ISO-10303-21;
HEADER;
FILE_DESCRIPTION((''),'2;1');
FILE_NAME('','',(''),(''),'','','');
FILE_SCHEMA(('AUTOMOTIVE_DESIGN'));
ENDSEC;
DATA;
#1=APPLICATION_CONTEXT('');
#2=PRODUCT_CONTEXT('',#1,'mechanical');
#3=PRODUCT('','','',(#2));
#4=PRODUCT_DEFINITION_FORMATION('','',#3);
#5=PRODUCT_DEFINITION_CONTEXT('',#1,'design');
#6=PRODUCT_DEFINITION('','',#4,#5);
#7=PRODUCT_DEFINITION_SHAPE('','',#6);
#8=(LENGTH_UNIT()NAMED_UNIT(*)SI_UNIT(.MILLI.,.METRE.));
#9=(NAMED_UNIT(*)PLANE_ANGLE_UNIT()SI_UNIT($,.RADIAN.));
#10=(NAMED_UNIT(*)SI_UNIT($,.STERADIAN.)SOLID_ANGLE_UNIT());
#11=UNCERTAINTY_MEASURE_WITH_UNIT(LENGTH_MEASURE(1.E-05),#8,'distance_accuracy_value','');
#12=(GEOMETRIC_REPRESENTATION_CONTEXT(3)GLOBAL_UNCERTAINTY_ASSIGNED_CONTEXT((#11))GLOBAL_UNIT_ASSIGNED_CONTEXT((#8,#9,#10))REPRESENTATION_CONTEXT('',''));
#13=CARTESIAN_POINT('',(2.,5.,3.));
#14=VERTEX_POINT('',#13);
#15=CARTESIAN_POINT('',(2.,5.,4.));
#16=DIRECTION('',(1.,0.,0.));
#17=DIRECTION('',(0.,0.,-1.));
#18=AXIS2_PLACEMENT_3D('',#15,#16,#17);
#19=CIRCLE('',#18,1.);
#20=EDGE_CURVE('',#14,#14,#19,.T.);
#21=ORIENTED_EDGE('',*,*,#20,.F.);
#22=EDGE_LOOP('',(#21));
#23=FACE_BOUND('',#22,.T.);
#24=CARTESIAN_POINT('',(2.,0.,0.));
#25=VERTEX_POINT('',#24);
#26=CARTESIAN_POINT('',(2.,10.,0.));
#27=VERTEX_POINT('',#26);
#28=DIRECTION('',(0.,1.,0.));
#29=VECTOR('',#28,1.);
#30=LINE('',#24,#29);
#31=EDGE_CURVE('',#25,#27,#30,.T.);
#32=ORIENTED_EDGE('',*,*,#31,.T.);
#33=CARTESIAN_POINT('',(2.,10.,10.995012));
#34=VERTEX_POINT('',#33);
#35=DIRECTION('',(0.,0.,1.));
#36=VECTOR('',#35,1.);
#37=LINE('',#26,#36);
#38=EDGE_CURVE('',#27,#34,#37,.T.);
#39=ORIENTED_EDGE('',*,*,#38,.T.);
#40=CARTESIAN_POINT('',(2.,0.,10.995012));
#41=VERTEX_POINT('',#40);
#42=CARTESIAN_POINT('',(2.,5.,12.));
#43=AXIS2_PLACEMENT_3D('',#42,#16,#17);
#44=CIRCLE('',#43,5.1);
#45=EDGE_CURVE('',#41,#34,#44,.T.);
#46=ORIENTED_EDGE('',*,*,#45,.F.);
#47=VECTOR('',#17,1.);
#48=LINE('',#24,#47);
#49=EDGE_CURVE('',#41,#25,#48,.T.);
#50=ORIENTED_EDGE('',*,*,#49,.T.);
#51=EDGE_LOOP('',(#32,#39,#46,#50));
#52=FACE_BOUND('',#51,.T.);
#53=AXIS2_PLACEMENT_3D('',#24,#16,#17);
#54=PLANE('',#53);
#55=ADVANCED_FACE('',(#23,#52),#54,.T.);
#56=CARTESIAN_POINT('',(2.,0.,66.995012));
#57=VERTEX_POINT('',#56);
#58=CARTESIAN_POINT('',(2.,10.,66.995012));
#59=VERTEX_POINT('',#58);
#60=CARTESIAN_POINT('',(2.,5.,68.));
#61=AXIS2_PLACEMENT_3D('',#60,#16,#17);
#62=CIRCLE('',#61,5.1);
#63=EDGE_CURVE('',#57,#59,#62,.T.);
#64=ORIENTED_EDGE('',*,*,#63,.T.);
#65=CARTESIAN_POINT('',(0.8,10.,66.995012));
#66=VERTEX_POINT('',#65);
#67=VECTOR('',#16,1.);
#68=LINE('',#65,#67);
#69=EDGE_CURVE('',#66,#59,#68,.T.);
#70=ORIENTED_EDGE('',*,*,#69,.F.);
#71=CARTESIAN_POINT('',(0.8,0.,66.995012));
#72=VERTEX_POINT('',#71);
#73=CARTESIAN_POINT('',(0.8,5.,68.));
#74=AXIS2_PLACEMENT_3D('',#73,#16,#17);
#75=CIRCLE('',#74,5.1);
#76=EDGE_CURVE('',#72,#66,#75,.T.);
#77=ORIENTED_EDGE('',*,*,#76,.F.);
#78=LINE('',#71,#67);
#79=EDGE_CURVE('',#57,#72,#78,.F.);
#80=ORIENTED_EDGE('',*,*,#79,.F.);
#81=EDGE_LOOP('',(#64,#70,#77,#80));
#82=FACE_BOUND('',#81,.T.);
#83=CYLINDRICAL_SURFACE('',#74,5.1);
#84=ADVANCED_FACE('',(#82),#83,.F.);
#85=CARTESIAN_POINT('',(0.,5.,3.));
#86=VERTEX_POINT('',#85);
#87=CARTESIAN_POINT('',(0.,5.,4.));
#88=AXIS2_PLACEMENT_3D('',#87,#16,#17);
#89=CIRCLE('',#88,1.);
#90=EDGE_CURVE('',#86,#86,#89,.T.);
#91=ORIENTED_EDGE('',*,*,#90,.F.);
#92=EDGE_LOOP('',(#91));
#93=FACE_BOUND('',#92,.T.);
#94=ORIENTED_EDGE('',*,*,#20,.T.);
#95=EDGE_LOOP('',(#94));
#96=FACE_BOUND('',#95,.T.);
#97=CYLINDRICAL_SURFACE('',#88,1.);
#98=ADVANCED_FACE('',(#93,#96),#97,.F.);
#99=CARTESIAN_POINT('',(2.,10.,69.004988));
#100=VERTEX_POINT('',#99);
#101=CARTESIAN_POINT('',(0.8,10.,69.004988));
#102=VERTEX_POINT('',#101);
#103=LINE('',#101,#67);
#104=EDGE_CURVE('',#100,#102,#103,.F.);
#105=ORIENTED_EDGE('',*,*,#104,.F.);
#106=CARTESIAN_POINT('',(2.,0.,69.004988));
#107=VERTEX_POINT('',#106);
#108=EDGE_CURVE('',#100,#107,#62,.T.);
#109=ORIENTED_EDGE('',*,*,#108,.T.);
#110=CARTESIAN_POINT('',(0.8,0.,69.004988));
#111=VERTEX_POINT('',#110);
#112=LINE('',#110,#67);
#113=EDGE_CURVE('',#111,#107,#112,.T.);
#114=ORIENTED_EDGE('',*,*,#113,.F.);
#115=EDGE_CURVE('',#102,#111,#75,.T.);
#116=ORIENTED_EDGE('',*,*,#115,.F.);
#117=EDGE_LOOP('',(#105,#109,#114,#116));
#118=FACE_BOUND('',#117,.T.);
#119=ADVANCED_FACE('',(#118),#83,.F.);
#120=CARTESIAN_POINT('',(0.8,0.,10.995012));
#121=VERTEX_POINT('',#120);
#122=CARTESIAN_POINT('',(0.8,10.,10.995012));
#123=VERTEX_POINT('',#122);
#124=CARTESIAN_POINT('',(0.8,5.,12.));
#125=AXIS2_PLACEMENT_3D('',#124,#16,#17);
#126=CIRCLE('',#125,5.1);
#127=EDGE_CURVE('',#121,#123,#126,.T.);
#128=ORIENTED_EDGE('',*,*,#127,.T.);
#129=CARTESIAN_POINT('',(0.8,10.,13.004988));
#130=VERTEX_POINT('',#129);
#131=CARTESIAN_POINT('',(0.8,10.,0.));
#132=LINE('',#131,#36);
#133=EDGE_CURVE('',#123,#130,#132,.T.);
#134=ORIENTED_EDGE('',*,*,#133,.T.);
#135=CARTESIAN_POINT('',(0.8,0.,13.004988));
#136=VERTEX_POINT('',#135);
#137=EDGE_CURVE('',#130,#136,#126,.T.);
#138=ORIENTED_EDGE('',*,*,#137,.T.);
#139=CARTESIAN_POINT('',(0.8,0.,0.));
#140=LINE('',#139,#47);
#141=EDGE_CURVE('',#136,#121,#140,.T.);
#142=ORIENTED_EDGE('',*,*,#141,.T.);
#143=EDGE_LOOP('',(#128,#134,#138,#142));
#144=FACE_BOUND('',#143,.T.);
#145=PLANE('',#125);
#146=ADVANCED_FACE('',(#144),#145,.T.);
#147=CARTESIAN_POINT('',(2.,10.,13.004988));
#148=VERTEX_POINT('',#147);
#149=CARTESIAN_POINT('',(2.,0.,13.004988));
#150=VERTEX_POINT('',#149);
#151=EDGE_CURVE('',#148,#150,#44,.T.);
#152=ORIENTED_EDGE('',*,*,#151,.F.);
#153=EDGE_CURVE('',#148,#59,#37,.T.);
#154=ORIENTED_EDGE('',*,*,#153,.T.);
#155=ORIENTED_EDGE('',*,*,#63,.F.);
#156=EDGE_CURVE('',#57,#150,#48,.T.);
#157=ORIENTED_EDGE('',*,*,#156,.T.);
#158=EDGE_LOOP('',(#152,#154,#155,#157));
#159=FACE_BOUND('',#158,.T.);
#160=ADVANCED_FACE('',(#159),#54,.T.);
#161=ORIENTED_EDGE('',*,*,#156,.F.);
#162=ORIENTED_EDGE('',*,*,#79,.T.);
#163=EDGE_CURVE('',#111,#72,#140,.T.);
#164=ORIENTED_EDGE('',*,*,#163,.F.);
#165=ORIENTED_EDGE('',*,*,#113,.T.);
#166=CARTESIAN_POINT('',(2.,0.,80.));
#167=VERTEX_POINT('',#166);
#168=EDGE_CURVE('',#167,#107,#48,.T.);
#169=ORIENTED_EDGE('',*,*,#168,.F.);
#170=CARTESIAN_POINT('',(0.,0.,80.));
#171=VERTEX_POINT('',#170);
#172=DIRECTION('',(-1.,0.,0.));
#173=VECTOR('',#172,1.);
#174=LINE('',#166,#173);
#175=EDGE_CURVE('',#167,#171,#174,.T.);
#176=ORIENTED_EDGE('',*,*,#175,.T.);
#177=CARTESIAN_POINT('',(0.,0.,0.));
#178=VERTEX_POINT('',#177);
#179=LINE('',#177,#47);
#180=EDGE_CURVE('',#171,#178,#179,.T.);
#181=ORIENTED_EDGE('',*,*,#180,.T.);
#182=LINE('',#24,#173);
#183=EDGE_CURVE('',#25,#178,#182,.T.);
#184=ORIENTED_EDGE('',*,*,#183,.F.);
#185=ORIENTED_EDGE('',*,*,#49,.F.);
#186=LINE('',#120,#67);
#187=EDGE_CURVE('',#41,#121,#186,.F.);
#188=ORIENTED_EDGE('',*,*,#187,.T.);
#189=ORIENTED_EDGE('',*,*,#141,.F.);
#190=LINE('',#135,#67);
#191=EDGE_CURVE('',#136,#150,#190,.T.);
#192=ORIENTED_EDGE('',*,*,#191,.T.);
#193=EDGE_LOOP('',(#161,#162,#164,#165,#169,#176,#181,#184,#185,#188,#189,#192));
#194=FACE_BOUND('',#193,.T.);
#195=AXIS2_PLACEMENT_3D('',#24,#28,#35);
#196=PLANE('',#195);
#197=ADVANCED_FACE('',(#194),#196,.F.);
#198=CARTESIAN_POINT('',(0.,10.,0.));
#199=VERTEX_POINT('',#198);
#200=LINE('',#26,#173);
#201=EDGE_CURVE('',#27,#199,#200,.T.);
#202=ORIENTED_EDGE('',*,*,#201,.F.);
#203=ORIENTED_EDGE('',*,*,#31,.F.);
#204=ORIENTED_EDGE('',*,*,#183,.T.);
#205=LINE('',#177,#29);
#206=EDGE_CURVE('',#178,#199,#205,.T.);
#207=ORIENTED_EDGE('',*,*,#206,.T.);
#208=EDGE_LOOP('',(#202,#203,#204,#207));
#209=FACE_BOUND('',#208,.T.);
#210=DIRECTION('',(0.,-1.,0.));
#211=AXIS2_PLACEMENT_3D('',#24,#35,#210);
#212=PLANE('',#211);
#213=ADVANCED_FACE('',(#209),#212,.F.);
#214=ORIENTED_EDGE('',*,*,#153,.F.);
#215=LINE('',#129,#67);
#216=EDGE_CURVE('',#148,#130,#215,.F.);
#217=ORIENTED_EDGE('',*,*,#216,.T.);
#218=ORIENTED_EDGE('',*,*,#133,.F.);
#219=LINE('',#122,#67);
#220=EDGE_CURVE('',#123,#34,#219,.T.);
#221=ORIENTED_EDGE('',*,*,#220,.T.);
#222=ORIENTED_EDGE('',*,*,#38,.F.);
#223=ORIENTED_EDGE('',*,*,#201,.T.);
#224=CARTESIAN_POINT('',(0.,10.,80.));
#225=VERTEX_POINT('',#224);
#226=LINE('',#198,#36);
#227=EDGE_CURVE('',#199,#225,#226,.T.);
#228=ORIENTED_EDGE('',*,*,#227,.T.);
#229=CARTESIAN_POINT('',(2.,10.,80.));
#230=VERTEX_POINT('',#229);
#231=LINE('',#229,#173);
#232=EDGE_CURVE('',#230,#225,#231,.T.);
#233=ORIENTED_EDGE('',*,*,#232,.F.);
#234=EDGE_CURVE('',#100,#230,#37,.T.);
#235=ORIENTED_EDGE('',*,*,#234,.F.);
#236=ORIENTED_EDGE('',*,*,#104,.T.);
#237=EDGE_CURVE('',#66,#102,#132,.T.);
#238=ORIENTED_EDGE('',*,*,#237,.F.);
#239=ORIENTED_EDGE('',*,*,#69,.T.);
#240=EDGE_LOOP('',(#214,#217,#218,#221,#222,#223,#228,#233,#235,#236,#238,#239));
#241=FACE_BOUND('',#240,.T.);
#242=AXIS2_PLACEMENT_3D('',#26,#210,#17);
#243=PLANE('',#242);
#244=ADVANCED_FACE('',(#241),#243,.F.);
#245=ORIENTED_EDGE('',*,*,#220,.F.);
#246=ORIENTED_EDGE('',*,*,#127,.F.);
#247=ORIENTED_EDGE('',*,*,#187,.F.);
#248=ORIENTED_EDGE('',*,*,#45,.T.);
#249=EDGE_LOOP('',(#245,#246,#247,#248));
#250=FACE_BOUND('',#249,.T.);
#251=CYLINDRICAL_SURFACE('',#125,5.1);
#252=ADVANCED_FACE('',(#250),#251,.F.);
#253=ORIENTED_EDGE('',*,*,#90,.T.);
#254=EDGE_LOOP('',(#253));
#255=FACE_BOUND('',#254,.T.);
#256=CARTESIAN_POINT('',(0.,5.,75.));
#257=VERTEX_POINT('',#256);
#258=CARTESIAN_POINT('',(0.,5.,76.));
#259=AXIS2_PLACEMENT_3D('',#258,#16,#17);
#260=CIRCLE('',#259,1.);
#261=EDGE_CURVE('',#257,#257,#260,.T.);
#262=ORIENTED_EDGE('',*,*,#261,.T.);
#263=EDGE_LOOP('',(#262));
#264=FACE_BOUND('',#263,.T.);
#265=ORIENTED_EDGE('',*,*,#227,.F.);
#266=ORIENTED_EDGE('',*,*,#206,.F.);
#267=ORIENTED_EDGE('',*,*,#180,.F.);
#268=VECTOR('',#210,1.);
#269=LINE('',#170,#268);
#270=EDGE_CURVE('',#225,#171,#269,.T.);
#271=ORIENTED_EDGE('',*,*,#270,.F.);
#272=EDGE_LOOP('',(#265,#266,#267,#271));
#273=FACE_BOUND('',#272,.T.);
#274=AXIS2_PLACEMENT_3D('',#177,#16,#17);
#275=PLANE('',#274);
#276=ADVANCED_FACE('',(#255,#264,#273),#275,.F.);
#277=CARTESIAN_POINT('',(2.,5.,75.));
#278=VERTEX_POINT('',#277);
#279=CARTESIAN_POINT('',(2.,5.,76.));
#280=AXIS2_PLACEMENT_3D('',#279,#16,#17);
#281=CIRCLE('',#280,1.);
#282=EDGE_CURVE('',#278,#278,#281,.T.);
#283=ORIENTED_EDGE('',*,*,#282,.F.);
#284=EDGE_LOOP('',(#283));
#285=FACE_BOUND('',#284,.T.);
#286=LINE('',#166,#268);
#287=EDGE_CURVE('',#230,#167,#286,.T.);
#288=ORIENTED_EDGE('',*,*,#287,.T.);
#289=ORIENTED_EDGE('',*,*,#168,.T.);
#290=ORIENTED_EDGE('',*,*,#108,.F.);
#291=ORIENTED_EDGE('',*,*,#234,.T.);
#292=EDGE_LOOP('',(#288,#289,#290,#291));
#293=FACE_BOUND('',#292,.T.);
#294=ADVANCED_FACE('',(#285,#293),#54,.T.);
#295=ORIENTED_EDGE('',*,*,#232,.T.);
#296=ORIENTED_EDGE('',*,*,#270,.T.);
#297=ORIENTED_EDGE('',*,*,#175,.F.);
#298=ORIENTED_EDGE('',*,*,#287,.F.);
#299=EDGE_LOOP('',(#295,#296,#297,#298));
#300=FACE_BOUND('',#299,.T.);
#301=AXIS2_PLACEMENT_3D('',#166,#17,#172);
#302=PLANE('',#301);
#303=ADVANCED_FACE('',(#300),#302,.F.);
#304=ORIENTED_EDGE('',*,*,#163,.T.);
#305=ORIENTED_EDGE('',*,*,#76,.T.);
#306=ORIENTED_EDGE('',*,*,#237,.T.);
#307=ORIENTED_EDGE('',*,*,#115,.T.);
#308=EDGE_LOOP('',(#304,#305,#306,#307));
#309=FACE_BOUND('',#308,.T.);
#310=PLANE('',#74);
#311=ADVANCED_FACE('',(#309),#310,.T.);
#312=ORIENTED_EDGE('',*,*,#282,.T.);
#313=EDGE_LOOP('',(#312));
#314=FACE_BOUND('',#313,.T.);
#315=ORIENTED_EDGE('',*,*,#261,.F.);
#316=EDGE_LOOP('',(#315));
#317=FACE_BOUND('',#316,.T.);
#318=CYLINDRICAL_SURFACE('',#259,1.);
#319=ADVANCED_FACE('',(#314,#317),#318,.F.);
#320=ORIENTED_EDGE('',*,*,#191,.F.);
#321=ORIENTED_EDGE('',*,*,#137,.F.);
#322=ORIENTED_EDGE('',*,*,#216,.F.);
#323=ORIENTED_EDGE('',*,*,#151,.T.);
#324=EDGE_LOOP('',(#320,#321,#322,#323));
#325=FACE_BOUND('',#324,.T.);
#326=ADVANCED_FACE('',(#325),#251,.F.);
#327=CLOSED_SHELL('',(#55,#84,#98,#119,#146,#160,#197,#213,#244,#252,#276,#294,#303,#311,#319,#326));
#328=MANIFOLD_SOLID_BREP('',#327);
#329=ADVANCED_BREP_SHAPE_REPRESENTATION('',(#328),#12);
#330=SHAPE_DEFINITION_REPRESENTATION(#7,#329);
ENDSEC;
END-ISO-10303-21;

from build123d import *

# Parameters (mm, degrees)
SKETCH_1_W          = 80
SKETCH_1_H          = 10
EXTRUDE_1_DEPTH     = 2
SKETCH_2_R          = 1
CUT_EXTRUDE_1_DEPTH = 2
SKETCH_5_R          = 5.1
CUT_EXTRUDE_2_DEPTH = 1.2


with BuildPart() as part:
    # 草图1 → 凸台-拉伸1 (new body)
    with BuildSketch(Plane(origin=(0, 0, 0), x_dir=(0, 0, -1), z_dir=(1, 0, 0))):
        with Locations((-40, 5)):
            Rectangle(SKETCH_1_W, SKETCH_1_H)
    extrude(amount=EXTRUDE_1_DEPTH)

    # 草图2 → 切除-拉伸1 (cut)
    with BuildSketch(Plane(origin=(2, 0, 0), x_dir=(0, 0, -1), z_dir=(1, 0, 0))):
        with Locations((-76, 5)):
            Circle(SKETCH_2_R)
        with Locations((-4, 5)):
            Circle(SKETCH_2_R)
    extrude(amount=-CUT_EXTRUDE_1_DEPTH, mode=Mode.SUBTRACT)

    # 草图5 → 切除-拉伸2 (cut)
    with BuildSketch(Plane(origin=(2, 0, 0), x_dir=(0, 0, -1), z_dir=(1, 0, 0))):
        with Locations((-68, 5)):
            Circle(SKETCH_5_R)
        with Locations((-12, 5)):
            Circle(SKETCH_5_R)
    extrude(amount=-CUT_EXTRUDE_2_DEPTH, mode=Mode.SUBTRACT)


solid = part.part
